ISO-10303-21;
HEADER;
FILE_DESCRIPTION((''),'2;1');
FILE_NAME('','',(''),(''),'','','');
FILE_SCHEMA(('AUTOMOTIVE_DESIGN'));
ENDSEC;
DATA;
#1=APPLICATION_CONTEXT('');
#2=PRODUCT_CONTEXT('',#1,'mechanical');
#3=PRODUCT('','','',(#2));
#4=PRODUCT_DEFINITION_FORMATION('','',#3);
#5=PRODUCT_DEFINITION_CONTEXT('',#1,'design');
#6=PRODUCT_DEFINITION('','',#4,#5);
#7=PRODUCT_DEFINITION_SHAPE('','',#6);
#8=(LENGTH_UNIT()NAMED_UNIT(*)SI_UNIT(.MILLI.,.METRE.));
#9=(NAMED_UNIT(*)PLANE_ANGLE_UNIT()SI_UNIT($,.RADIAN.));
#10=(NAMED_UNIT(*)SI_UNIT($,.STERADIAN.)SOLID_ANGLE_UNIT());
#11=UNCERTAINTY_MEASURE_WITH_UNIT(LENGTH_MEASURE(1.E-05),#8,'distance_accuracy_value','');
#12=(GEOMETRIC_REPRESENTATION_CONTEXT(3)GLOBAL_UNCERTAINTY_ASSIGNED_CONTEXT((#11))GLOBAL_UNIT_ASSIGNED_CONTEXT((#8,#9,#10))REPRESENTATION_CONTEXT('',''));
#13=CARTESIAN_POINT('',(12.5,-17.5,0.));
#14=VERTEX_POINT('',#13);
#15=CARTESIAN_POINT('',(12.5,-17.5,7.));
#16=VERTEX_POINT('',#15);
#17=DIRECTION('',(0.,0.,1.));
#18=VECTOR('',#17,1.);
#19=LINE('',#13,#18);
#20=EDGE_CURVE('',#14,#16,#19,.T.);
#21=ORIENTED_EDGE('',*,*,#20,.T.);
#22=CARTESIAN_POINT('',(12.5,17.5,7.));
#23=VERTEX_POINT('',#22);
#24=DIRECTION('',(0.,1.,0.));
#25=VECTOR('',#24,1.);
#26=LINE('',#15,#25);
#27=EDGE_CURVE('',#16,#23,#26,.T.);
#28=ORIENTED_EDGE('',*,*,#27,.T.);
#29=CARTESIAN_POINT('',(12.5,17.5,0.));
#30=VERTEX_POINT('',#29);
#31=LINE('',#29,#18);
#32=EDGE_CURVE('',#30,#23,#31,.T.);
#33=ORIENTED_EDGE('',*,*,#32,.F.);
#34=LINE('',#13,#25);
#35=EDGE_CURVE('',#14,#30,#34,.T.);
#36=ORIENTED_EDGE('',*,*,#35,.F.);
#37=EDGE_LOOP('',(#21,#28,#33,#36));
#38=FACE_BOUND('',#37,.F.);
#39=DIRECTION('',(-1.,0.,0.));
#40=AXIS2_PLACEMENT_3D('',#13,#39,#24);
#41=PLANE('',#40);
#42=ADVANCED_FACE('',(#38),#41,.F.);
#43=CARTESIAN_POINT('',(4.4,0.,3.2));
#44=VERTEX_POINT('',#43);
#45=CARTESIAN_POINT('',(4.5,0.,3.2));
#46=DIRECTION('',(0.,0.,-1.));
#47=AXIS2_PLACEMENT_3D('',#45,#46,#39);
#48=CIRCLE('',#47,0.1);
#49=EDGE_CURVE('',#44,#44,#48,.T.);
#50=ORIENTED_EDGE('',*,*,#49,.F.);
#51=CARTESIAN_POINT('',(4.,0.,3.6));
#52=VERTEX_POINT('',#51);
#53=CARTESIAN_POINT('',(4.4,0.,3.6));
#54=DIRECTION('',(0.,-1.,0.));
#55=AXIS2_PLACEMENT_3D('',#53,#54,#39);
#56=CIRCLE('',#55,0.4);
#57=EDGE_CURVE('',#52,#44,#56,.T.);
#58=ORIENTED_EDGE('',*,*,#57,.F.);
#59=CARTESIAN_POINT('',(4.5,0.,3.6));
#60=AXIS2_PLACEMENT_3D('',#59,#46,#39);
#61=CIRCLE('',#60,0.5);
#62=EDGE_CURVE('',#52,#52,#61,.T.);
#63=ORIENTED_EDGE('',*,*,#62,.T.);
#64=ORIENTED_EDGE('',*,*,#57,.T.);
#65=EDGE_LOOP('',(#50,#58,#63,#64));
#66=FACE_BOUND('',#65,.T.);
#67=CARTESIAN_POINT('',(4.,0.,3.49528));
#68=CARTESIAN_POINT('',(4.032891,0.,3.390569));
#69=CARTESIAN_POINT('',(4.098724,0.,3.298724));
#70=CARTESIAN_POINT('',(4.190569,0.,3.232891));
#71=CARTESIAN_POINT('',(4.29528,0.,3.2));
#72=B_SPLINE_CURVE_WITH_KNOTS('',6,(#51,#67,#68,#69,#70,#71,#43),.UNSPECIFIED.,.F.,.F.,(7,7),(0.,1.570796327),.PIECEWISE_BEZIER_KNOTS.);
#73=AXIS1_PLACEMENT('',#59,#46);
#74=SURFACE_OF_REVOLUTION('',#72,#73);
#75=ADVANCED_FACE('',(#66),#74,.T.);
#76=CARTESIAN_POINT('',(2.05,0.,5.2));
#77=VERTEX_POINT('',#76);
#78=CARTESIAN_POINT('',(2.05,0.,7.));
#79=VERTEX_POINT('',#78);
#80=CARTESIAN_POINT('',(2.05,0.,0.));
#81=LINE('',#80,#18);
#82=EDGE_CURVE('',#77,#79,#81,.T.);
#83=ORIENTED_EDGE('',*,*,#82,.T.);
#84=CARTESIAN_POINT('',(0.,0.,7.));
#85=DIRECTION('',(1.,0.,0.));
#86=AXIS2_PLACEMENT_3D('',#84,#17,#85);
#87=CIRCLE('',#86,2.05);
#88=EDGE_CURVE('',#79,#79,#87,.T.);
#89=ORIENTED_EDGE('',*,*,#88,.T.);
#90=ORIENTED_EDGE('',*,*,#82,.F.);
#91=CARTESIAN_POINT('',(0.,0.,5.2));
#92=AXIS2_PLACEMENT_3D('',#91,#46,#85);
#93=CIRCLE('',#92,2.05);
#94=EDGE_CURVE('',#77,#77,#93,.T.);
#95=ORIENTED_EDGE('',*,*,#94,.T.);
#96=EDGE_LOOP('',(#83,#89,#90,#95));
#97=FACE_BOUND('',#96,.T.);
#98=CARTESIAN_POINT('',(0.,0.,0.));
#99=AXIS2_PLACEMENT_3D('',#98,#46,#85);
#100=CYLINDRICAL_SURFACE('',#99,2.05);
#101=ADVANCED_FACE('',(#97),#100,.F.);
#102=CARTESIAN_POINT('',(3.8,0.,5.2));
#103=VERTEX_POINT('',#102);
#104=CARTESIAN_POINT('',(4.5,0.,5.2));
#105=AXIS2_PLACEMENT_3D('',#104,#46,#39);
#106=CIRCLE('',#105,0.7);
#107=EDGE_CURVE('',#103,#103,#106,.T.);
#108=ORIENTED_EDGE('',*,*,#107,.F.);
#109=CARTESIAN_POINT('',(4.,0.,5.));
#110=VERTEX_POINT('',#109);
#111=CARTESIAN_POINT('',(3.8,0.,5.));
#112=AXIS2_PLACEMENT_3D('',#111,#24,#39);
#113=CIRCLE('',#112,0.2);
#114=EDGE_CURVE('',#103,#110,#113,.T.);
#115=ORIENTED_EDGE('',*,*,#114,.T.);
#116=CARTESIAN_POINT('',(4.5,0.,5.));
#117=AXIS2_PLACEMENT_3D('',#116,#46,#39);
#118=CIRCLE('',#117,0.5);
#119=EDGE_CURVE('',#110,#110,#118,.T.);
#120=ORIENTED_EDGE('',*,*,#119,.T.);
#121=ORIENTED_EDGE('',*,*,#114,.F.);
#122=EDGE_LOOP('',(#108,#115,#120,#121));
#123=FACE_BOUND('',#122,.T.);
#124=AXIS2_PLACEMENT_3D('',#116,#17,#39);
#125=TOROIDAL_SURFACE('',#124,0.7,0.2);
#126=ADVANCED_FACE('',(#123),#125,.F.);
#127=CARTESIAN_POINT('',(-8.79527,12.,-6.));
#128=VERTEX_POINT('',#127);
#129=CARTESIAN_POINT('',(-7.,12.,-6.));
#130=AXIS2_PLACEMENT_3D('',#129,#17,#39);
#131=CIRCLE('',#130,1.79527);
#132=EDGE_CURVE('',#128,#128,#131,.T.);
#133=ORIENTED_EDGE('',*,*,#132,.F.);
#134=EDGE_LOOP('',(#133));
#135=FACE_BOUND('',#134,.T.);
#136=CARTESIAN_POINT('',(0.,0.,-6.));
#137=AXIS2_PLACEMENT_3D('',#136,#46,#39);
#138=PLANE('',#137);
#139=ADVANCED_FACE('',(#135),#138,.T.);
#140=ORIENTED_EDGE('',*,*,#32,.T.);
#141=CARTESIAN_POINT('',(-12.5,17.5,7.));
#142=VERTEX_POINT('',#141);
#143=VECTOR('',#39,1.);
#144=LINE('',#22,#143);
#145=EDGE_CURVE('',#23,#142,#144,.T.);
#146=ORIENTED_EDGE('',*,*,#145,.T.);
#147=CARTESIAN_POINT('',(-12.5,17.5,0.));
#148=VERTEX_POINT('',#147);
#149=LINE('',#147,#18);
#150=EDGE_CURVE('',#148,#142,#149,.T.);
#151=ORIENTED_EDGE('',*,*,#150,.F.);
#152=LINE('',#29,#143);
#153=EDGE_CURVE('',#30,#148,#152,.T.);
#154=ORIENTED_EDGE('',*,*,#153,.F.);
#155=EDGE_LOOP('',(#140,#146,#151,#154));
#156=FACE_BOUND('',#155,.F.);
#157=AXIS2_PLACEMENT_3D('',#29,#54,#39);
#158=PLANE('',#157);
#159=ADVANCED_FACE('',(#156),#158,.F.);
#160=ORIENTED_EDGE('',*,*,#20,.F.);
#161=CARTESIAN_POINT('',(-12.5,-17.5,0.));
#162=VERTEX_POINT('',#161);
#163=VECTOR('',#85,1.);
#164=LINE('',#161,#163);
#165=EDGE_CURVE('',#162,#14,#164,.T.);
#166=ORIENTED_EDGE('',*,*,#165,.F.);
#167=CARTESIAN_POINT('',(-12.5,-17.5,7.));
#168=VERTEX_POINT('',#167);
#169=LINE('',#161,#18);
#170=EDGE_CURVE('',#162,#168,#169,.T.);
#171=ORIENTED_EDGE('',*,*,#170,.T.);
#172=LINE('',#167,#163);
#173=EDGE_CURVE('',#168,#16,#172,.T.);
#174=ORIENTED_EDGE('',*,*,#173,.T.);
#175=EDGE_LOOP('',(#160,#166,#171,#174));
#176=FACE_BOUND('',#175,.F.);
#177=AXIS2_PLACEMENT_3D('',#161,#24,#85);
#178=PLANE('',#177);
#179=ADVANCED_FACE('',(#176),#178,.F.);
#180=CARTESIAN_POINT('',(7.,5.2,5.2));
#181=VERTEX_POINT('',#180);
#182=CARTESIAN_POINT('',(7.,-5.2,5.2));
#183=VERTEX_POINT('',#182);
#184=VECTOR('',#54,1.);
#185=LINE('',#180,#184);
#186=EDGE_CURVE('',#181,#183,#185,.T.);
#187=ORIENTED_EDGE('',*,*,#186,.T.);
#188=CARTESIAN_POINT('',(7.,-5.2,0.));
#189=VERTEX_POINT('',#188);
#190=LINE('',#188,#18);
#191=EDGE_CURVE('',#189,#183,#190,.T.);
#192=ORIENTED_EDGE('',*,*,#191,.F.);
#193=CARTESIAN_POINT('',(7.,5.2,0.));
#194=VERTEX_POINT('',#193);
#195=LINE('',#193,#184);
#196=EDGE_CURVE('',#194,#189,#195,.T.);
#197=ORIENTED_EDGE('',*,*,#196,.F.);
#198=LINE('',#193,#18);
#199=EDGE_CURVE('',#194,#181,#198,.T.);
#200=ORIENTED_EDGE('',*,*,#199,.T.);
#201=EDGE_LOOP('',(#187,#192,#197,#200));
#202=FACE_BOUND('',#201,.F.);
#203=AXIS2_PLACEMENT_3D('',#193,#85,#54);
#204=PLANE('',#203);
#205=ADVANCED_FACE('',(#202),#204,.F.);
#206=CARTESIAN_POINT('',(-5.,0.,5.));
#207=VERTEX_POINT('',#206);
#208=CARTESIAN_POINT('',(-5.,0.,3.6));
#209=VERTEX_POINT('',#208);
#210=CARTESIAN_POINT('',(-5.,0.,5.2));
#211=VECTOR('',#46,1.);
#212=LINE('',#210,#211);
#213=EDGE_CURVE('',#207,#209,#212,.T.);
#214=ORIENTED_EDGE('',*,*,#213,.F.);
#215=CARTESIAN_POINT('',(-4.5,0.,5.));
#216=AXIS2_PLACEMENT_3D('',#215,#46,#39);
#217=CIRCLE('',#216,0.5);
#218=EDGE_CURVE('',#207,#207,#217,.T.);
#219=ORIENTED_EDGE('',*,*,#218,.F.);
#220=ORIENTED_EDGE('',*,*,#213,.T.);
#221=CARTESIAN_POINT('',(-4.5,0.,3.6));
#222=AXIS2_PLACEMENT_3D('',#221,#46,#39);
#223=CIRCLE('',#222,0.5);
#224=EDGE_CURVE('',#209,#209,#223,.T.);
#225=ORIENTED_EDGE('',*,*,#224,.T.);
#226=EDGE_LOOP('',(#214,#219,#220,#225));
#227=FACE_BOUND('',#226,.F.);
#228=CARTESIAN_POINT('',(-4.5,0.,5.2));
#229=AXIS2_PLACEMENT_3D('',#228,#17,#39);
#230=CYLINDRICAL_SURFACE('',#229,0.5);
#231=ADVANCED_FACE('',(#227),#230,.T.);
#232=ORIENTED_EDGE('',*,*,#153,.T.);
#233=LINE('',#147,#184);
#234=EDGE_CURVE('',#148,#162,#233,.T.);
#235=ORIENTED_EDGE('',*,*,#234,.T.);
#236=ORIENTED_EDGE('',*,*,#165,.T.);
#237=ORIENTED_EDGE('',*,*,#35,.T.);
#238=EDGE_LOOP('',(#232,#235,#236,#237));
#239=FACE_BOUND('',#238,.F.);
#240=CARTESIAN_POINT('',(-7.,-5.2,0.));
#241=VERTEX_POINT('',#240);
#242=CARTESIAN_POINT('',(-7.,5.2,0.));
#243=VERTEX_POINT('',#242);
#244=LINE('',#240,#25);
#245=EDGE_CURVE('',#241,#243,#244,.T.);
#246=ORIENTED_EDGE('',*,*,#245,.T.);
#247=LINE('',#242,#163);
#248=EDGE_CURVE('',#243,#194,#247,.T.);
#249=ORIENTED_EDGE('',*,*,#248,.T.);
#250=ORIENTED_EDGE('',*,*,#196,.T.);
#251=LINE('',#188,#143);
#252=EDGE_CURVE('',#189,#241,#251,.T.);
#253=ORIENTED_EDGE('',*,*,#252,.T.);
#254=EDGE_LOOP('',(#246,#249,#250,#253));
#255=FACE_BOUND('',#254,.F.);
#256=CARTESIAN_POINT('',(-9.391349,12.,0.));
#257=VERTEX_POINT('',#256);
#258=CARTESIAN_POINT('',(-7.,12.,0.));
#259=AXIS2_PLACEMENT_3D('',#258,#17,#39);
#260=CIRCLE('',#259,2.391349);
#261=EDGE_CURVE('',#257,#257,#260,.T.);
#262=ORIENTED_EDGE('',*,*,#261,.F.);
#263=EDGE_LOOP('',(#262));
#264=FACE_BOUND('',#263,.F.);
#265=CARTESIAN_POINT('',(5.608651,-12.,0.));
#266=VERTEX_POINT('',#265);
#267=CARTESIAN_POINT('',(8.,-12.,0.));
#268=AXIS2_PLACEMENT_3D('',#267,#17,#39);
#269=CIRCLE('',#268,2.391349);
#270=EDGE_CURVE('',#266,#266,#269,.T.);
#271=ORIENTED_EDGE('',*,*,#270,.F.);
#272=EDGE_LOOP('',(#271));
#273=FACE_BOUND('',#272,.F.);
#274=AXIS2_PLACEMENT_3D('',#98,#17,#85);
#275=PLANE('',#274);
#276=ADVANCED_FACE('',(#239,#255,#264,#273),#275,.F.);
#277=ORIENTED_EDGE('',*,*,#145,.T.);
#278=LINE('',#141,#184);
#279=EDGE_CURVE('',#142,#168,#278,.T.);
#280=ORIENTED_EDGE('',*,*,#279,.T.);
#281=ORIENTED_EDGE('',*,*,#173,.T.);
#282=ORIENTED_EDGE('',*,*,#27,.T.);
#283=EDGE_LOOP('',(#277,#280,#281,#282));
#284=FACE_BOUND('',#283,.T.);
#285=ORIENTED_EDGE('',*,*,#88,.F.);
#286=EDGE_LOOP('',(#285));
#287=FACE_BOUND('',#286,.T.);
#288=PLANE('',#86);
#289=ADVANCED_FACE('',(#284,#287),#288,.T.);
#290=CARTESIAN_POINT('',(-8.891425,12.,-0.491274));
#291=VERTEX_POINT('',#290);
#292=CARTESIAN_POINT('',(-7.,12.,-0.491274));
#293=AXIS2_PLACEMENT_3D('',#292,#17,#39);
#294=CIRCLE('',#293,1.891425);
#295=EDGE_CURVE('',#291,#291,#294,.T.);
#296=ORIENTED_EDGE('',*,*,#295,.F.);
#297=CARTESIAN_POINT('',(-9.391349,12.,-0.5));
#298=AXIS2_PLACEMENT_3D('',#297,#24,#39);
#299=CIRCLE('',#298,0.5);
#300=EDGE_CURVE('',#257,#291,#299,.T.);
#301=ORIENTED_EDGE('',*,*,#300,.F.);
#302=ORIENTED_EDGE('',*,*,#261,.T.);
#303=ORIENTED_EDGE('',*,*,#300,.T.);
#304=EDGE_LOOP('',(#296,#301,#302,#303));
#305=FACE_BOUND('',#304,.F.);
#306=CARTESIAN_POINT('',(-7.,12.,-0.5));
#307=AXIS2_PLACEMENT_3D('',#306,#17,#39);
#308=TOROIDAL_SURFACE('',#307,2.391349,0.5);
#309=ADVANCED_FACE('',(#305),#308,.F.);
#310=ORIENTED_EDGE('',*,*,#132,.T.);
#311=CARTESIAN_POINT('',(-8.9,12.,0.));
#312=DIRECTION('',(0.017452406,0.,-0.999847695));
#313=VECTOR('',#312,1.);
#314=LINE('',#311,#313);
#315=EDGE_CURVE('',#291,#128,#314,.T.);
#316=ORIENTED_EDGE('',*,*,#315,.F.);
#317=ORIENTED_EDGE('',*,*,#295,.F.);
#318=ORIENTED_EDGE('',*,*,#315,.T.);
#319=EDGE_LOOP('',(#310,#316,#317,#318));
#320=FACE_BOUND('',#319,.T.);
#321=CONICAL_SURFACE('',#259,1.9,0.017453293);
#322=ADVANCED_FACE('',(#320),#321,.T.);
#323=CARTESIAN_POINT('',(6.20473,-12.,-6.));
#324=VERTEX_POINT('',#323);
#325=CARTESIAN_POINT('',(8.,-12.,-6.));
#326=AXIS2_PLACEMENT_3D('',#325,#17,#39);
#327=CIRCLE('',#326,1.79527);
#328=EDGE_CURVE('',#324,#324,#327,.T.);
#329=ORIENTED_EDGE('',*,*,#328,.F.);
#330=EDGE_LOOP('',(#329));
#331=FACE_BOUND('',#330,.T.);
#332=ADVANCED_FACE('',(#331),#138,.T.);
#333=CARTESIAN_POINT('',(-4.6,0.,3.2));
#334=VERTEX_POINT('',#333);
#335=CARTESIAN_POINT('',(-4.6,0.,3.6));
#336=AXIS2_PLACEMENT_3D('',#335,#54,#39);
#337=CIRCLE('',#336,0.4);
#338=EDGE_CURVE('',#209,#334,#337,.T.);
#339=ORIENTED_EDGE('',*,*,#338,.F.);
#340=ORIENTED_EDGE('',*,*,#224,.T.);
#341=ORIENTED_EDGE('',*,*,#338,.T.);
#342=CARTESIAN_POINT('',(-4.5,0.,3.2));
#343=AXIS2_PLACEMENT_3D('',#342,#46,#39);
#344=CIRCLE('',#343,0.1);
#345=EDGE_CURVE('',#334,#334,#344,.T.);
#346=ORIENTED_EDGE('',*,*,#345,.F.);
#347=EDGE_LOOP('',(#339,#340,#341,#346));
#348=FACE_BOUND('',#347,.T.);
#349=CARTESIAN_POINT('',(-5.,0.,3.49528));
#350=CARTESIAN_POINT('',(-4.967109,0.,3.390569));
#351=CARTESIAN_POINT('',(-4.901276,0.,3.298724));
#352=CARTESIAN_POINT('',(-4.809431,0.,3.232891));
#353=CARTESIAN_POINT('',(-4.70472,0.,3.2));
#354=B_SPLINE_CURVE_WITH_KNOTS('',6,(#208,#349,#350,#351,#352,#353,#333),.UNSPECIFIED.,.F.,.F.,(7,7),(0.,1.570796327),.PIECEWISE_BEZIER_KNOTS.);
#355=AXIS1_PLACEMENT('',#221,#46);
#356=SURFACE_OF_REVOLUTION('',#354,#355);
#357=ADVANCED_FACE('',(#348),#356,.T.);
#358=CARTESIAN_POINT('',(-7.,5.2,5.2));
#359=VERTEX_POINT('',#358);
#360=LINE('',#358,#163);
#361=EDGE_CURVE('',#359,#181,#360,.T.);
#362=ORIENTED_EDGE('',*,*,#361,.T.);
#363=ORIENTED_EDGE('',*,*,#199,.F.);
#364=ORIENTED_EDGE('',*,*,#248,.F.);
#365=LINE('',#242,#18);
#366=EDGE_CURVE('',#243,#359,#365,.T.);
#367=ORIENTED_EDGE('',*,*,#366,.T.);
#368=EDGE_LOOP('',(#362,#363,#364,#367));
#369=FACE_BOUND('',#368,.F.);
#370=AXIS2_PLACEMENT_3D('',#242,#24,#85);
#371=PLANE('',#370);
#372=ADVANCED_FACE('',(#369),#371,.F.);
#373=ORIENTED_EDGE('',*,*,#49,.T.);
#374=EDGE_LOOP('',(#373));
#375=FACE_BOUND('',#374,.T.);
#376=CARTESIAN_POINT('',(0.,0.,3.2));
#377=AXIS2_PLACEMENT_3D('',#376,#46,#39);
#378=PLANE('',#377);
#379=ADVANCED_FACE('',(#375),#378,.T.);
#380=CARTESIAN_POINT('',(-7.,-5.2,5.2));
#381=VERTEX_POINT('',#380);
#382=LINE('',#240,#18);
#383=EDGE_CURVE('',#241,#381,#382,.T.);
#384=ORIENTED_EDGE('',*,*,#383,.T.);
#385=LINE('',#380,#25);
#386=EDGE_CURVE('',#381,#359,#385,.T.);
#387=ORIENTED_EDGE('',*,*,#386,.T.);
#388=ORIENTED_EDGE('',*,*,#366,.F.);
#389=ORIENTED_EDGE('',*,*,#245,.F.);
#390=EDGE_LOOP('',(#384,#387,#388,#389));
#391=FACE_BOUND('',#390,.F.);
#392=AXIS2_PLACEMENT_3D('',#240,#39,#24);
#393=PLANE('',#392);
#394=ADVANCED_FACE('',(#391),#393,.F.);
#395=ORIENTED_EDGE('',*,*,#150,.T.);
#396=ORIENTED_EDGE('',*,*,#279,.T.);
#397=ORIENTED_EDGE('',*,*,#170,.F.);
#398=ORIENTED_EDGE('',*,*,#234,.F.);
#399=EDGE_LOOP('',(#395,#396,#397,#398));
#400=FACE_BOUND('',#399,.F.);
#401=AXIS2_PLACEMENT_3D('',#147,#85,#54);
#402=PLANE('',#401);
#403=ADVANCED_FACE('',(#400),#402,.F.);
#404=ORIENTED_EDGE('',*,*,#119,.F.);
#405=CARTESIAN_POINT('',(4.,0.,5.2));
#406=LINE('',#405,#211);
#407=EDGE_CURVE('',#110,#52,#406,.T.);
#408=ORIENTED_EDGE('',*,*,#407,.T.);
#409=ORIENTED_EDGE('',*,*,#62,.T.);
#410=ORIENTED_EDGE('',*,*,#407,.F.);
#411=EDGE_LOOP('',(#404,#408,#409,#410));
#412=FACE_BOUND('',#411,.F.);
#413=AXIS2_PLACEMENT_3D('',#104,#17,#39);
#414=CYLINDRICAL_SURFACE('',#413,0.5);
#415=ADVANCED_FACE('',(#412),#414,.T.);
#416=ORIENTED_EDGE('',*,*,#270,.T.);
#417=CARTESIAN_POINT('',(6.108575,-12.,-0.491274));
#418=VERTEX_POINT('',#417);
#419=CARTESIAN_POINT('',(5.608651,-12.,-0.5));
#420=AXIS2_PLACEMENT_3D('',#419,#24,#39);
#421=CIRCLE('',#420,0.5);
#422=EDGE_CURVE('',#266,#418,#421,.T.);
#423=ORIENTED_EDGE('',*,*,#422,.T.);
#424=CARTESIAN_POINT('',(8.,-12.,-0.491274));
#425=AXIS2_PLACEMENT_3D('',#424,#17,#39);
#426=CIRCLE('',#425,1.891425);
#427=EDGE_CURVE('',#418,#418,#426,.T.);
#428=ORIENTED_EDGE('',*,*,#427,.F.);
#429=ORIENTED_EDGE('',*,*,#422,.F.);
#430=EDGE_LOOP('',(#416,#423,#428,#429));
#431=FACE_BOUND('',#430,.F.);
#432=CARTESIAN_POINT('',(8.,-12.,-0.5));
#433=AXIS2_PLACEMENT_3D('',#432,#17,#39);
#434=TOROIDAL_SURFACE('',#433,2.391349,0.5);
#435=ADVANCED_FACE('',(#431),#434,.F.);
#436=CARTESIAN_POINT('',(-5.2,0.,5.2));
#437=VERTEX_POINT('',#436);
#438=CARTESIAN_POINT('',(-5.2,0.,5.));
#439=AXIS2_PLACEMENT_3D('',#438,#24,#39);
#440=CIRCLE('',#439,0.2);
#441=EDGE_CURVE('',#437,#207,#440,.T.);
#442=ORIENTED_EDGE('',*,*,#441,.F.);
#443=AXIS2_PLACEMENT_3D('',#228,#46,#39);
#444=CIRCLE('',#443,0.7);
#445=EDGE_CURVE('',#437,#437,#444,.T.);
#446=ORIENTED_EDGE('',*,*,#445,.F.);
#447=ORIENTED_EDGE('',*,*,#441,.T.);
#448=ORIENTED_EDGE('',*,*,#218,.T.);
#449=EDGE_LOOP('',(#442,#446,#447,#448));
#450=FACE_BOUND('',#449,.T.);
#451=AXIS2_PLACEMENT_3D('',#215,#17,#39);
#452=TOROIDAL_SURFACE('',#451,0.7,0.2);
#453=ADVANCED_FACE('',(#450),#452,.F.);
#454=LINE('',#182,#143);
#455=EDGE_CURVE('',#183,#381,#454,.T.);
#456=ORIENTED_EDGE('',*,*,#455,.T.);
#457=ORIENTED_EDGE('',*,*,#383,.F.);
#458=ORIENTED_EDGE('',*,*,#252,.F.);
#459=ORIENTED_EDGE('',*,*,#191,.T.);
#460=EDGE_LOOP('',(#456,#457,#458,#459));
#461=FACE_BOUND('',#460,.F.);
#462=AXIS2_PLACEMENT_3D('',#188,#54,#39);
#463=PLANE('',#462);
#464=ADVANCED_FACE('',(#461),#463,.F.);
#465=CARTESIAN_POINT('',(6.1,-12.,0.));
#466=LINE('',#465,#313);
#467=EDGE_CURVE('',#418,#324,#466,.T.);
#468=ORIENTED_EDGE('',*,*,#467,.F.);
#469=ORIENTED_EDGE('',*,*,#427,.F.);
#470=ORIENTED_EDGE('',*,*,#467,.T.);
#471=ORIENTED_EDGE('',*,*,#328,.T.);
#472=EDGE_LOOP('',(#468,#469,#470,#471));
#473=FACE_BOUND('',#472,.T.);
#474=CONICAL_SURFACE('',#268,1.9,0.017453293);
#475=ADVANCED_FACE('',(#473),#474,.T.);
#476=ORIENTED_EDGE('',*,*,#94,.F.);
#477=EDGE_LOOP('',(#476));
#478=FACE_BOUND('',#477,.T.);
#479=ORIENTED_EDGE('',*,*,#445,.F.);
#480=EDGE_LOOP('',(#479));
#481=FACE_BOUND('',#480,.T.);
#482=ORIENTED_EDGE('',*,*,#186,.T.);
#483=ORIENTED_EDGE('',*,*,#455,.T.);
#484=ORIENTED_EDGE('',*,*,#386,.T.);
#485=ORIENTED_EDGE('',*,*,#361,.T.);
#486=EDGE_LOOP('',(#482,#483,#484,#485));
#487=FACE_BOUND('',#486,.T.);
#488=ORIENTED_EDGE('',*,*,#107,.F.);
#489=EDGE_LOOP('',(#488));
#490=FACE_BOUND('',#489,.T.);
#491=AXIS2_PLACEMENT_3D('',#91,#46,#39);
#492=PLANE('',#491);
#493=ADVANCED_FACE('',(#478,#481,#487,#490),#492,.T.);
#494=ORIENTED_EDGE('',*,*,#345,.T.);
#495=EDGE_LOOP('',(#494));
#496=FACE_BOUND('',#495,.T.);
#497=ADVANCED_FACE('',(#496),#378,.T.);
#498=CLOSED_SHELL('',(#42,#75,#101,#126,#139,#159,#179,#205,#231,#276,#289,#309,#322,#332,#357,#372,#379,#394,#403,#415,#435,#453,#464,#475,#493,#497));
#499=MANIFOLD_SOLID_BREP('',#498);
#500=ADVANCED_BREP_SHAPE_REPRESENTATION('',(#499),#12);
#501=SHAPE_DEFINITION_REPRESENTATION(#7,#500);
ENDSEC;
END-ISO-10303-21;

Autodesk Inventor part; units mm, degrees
ref_plane "YZ Plane" through (0, 0, 0) normal (1, 0, 0) x (0, 1, 0)
ref_plane "XZ Plane" through (0, 0, 0) normal (0, 1, 0) x (-1, 0, 0)
ref_plane "XY Plane" through (0, 0, 0) normal (0, 0, 1) x (1, 0, 0)
sketch "Sketch1" plane through (0, 0, 0) normal (0, 0, 1) x (1, 0, 0)
  line L0 (-12.5, -17.5) -> (12.5, -17.5) projected
  line L1 (12.5, -17.5) -> (12.5, 17.5) projected
  line L2 (-12.5, 17.5) -> (-12.5, -17.5) projected
  line L3 (12.5, 17.5) -> (-12.5, 17.5) projected
  circle A0 centre (0, 0) radius 2.05
  dimension "d0" = 4.1
extrude "Extrusion1" add sketch "Sketch1" along normal blind 7
sketch "Sketch2" plane through (0, 0, 0) normal (0, 0, -1) x (-1, 0, 0)
  circle A0 centre (-8, -12) radius 2.1 projected
  circle A1 centre (7, 12) radius 2.1 projected
  circle A2 centre (-8, -12) radius 1.9
  circle A3 centre (7, 12) radius 1.9
  dimension "d9" = 3.8
extrude "Extrusion3" add sketch "Sketch2" along normal blind 6 draft -1 contours A2 | A3
sketch "Sketch3" plane through (0, 0, 0) normal (0, 0, -1) x (-1, 0, 0)
  line L0 (5.5902, -5) -> (-5.5902, -5) construction
  line L1 (-5.5902, 5) -> (5.5902, 5) construction
  line L2 (-7, -5.2) -> (7, -5.2)
  line L3 (7, -5.2) -> (7, 5.2)
  line L4 (7, 5.2) -> (-7, 5.2)
  line L5 (-7, 5.2) -> (-7, -5.2)
  line L6 (-6, -4.5) -> (-6, 4.5) construction
  line L7 (6, 4.5) -> (6, -4.5) construction
  line L8 (-5.5902, 5) -> (5.5902, 5) projected
  line L9 (5.5902, -5) -> (-5.5902, -5) projected
  dimension "d28" = 1
  dimension "d29" = 1
  dimension "d30" = 0.2
  dimension "d31" = 0.2
extrude "Extrusion4" cut sketch "Sketch3" against normal blind 5.2
sketch "Sketch4" plane through (0, 0, 5.2) normal (0, 0, -1) x (-1, 0, 0)
  circle A0 centre (-4.5, 0) radius 0.6105 projected
  circle A1 centre (4.5, 0) radius 0.6105 projected
  circle A2 centre (-4.5, 0) radius 0.5
  circle A3 centre (4.5, 0) radius 0.5
  point P0 (0, 0)
  dimension "d18" = 1
extrude "Extrusion5" add sketch "Sketch4" along normal blind 2 contours A2 | A3
fillet "Fillet1" radius 0.2 2 edges at (-4, 0, 5.2) (5, 0, 5.2)
fillet "Fillet2" radius 0.4 2 edges at (-4, 0, 3.2) (5, 0, 3.2)
fillet "Fillet3" radius 0.5 2 edges at (-5.1, 12, 0) (9.9, -12, 0)
properties part number "Base-Cover" material "Polycarbonate, Clear"
